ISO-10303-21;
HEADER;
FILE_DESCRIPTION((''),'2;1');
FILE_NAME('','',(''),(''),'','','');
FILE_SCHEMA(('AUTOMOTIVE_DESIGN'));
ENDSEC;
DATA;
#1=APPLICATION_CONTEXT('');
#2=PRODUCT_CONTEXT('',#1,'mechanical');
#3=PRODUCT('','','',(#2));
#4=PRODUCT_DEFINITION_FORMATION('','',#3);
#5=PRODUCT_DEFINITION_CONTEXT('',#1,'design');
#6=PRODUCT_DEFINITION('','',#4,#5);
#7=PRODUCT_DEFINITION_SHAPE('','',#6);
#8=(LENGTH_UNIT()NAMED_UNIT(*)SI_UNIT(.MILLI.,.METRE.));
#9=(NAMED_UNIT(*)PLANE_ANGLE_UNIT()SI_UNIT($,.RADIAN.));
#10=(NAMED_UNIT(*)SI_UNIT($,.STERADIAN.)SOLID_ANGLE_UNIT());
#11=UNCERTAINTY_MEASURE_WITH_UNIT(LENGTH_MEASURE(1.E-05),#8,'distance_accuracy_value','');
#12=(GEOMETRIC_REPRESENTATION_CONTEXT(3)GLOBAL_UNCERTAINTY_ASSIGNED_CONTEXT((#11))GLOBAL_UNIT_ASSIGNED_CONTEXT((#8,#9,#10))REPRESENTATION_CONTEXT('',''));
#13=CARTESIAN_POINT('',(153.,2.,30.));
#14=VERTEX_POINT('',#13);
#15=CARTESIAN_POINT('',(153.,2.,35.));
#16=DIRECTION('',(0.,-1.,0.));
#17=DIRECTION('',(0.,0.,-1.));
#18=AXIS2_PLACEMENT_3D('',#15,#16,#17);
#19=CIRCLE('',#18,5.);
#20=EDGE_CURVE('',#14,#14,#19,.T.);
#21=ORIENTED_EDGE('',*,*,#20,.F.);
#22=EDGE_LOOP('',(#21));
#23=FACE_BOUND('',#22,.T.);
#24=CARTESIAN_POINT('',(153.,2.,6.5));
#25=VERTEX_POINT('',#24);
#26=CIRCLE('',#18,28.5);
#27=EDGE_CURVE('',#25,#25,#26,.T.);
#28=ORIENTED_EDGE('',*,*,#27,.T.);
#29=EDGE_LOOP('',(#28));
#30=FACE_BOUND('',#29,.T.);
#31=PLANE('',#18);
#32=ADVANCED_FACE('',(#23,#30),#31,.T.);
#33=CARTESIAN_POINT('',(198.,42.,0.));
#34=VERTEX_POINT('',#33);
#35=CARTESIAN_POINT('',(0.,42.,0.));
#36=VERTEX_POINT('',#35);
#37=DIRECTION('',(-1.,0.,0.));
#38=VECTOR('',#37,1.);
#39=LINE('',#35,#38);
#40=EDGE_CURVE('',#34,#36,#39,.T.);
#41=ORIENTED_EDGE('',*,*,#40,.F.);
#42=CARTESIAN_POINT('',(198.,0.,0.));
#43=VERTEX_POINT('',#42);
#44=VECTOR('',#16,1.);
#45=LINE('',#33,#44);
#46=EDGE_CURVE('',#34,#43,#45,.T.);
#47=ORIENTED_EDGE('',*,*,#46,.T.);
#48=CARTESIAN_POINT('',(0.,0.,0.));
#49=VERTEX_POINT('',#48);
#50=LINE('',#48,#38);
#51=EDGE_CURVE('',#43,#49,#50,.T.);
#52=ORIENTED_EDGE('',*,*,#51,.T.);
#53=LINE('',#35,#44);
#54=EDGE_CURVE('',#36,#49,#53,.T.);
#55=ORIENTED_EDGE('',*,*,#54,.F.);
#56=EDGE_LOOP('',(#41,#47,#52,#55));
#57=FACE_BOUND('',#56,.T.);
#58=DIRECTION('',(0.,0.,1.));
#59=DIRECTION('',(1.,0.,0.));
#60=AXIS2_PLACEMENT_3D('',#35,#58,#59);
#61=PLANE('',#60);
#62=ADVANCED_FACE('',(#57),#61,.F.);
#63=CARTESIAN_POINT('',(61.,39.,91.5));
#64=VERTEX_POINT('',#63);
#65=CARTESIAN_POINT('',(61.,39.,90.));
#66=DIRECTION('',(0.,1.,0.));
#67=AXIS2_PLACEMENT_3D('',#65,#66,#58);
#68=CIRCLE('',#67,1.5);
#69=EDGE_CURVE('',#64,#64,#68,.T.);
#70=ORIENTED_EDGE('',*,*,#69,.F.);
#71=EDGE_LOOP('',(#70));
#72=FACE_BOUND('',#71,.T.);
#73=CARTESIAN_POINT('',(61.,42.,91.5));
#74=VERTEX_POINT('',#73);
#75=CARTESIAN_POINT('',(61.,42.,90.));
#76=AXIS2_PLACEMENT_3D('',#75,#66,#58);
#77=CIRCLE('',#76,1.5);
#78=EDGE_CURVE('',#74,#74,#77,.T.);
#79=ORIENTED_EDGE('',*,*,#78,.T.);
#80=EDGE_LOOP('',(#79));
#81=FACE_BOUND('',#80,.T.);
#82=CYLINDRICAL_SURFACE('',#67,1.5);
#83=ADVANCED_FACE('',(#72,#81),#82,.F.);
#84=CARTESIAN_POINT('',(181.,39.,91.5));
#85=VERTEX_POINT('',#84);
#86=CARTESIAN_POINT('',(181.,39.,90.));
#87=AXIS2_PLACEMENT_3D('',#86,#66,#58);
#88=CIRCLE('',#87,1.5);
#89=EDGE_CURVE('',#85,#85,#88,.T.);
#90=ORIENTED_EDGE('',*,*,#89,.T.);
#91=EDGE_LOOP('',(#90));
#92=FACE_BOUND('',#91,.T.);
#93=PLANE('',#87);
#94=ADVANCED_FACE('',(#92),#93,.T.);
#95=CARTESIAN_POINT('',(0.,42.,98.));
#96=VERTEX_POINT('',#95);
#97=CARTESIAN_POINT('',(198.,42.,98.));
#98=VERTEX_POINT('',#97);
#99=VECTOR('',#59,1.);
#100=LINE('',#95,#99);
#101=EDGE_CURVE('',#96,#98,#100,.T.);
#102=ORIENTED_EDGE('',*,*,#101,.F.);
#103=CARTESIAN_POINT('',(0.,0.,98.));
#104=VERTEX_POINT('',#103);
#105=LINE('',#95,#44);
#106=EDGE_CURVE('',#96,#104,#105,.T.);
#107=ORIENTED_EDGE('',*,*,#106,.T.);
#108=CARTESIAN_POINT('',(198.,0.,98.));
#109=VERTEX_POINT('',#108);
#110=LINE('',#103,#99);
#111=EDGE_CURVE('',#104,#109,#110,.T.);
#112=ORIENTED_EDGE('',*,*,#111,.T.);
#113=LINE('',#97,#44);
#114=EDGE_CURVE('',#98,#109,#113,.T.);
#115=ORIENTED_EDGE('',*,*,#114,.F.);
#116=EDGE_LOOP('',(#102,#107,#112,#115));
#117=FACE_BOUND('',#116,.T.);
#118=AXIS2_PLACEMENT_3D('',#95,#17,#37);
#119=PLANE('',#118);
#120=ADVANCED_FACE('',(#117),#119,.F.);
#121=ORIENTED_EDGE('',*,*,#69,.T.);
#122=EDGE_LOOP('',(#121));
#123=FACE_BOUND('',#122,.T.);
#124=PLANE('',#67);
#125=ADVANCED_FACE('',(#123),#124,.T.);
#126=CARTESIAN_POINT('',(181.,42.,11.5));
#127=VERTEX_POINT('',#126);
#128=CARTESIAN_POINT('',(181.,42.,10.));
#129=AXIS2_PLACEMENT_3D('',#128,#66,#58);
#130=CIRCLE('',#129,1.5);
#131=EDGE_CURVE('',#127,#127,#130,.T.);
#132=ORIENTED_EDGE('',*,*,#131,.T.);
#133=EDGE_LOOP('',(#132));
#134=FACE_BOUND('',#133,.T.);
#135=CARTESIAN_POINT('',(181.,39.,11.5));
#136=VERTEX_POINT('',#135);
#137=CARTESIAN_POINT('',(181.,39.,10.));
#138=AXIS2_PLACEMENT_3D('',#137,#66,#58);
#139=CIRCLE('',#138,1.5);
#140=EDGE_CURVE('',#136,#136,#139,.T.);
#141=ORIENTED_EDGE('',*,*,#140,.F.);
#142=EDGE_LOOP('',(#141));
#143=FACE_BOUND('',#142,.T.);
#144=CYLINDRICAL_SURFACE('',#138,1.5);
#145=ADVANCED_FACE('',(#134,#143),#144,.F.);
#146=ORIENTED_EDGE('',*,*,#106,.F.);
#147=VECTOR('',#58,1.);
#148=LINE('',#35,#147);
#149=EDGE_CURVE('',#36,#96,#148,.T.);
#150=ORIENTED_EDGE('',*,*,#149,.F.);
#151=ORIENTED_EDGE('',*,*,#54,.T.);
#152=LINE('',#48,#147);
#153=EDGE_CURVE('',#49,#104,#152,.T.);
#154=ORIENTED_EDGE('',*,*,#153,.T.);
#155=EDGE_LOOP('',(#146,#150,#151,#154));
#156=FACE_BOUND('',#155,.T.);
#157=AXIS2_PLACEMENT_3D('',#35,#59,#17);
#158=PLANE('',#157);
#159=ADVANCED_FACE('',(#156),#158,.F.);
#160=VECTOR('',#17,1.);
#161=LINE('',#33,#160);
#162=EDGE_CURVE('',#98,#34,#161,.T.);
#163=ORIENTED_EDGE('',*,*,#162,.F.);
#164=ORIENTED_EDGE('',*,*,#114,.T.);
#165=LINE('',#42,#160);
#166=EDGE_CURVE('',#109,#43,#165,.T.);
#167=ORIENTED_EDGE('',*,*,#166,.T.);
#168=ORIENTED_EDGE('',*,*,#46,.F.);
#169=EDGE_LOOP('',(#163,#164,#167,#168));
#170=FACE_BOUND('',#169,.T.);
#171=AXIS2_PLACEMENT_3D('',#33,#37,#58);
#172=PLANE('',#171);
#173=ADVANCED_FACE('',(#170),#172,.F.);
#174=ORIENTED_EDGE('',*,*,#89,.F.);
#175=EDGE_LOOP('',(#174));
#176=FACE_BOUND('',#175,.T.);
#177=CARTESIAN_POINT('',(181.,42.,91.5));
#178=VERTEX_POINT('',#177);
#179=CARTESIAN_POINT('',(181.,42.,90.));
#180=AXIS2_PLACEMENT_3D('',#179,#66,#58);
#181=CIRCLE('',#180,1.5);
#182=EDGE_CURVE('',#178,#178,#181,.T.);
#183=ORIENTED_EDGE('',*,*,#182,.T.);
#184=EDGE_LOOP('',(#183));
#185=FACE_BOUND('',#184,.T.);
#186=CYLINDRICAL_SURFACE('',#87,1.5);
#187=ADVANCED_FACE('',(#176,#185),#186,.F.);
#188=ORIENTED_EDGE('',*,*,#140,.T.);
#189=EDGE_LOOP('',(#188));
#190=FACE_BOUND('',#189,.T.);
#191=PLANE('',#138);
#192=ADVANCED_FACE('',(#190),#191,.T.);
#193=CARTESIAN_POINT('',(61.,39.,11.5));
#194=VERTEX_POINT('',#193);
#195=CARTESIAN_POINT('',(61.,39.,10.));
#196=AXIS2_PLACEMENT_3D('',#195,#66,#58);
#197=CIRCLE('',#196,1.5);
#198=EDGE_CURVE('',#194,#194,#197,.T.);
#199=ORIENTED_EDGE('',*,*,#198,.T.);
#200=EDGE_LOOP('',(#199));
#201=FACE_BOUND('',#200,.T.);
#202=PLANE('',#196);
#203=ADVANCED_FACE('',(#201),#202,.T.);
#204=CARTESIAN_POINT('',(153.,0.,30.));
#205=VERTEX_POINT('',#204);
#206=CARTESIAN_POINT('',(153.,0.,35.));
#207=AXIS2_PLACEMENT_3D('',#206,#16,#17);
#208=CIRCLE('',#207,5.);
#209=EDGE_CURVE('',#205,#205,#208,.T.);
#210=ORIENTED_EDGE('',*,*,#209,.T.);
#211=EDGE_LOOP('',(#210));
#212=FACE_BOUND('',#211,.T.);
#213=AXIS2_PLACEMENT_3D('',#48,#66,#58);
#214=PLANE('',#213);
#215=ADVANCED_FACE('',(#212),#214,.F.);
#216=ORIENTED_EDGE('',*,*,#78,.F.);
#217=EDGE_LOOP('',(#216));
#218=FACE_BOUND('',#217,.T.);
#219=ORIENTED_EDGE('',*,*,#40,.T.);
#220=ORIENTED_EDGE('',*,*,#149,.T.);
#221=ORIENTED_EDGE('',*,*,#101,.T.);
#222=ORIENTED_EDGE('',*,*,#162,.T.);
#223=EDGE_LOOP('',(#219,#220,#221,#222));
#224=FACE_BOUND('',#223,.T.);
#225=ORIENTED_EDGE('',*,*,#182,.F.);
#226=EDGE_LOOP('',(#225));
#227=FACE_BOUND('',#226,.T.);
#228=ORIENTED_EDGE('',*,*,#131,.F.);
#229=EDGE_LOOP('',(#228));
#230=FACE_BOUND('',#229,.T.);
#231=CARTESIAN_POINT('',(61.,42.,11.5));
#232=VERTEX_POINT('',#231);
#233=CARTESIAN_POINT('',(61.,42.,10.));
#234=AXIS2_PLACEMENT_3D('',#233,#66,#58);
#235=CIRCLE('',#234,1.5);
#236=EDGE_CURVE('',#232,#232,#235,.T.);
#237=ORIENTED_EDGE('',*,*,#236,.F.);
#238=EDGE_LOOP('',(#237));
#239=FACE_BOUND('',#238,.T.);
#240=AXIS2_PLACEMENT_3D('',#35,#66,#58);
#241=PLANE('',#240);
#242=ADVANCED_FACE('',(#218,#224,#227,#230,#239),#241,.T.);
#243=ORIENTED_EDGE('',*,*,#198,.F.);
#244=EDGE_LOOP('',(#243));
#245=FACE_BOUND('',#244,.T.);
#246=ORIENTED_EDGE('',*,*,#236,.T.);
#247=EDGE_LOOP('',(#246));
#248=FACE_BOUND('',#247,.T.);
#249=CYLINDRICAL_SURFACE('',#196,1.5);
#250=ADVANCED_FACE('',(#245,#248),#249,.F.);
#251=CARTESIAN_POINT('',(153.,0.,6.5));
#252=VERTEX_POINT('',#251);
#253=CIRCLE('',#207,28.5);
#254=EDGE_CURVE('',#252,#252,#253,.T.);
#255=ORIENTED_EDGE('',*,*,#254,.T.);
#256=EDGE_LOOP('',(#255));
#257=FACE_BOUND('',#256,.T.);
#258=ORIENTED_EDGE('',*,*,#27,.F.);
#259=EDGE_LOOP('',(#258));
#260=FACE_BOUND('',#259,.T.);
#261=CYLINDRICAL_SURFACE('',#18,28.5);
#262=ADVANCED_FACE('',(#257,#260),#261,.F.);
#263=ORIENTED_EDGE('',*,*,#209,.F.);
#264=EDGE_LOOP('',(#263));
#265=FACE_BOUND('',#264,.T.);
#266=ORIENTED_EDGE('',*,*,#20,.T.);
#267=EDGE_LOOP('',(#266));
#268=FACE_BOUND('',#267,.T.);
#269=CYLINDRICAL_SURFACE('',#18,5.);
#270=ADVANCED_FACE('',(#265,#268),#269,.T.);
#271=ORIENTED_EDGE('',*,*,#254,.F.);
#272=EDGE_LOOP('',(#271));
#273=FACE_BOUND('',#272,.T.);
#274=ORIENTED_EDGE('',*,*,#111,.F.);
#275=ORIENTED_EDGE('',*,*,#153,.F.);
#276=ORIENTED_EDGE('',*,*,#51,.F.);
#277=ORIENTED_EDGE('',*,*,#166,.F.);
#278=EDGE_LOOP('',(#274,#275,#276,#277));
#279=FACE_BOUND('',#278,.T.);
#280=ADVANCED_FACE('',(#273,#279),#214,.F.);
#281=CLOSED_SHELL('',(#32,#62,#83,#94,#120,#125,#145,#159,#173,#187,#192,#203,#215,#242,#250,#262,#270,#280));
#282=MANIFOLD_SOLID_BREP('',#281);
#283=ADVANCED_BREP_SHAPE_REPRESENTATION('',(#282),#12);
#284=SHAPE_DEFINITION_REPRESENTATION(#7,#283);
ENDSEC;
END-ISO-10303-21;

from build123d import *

# Parameters (mm, degrees)
SKETCH_1_W          = 198
SKETCH_1_H          = 98
EXTRUDE_1_DEPTH     = 42
SKETCH_2_R          = 1.5
CUT_EXTRUDE_1_DEPTH = 3
SKETCH_3_R          = 28.5
SKETCH_3_R_2        = 5
CUT_EXTRUDE_2_DEPTH = 2


with BuildPart() as part:
    # 草图1 → 凸台-拉伸1 (new body)
    with BuildSketch(Plane(origin=(0, 0, 0), x_dir=(1, 0, 0), z_dir=(0, 1, 0))):
        with Locations((99, -49)):
            Rectangle(SKETCH_1_W, SKETCH_1_H)
    extrude(amount=EXTRUDE_1_DEPTH)

    # 草图2 → 切除-拉伸1 (cut)
    with BuildSketch(Plane(origin=(0, 42, 0), x_dir=(1, 0, 0), z_dir=(0, 1, 0))):
        with Locations(Location((61, -10, 0), (0, 0, 270))):
            Circle(SKETCH_2_R)
        with Locations(Location((181, -10, 0), (0, 0, 270))):
            Circle(SKETCH_2_R)
        with Locations(Location((181, -90, 0), (0, 0, 270))):
            Circle(SKETCH_2_R)
        with Locations(Location((61, -90, 0), (0, 0, 270))):
            Circle(SKETCH_2_R)
    extrude(amount=-CUT_EXTRUDE_1_DEPTH, mode=Mode.SUBTRACT)

    # 草图3 → 切除-拉伸2 (cut)
    with BuildSketch(Plane.XZ):
        with Locations(Location((153, 35, 0), (0, 0, 270))):
            Circle(SKETCH_3_R)
        with Locations(Location((153, 35, 0), (0, 0, 270))):
            Circle(SKETCH_3_R_2, mode=Mode.SUBTRACT)
    extrude(amount=-CUT_EXTRUDE_2_DEPTH, mode=Mode.SUBTRACT)


solid = part.part
